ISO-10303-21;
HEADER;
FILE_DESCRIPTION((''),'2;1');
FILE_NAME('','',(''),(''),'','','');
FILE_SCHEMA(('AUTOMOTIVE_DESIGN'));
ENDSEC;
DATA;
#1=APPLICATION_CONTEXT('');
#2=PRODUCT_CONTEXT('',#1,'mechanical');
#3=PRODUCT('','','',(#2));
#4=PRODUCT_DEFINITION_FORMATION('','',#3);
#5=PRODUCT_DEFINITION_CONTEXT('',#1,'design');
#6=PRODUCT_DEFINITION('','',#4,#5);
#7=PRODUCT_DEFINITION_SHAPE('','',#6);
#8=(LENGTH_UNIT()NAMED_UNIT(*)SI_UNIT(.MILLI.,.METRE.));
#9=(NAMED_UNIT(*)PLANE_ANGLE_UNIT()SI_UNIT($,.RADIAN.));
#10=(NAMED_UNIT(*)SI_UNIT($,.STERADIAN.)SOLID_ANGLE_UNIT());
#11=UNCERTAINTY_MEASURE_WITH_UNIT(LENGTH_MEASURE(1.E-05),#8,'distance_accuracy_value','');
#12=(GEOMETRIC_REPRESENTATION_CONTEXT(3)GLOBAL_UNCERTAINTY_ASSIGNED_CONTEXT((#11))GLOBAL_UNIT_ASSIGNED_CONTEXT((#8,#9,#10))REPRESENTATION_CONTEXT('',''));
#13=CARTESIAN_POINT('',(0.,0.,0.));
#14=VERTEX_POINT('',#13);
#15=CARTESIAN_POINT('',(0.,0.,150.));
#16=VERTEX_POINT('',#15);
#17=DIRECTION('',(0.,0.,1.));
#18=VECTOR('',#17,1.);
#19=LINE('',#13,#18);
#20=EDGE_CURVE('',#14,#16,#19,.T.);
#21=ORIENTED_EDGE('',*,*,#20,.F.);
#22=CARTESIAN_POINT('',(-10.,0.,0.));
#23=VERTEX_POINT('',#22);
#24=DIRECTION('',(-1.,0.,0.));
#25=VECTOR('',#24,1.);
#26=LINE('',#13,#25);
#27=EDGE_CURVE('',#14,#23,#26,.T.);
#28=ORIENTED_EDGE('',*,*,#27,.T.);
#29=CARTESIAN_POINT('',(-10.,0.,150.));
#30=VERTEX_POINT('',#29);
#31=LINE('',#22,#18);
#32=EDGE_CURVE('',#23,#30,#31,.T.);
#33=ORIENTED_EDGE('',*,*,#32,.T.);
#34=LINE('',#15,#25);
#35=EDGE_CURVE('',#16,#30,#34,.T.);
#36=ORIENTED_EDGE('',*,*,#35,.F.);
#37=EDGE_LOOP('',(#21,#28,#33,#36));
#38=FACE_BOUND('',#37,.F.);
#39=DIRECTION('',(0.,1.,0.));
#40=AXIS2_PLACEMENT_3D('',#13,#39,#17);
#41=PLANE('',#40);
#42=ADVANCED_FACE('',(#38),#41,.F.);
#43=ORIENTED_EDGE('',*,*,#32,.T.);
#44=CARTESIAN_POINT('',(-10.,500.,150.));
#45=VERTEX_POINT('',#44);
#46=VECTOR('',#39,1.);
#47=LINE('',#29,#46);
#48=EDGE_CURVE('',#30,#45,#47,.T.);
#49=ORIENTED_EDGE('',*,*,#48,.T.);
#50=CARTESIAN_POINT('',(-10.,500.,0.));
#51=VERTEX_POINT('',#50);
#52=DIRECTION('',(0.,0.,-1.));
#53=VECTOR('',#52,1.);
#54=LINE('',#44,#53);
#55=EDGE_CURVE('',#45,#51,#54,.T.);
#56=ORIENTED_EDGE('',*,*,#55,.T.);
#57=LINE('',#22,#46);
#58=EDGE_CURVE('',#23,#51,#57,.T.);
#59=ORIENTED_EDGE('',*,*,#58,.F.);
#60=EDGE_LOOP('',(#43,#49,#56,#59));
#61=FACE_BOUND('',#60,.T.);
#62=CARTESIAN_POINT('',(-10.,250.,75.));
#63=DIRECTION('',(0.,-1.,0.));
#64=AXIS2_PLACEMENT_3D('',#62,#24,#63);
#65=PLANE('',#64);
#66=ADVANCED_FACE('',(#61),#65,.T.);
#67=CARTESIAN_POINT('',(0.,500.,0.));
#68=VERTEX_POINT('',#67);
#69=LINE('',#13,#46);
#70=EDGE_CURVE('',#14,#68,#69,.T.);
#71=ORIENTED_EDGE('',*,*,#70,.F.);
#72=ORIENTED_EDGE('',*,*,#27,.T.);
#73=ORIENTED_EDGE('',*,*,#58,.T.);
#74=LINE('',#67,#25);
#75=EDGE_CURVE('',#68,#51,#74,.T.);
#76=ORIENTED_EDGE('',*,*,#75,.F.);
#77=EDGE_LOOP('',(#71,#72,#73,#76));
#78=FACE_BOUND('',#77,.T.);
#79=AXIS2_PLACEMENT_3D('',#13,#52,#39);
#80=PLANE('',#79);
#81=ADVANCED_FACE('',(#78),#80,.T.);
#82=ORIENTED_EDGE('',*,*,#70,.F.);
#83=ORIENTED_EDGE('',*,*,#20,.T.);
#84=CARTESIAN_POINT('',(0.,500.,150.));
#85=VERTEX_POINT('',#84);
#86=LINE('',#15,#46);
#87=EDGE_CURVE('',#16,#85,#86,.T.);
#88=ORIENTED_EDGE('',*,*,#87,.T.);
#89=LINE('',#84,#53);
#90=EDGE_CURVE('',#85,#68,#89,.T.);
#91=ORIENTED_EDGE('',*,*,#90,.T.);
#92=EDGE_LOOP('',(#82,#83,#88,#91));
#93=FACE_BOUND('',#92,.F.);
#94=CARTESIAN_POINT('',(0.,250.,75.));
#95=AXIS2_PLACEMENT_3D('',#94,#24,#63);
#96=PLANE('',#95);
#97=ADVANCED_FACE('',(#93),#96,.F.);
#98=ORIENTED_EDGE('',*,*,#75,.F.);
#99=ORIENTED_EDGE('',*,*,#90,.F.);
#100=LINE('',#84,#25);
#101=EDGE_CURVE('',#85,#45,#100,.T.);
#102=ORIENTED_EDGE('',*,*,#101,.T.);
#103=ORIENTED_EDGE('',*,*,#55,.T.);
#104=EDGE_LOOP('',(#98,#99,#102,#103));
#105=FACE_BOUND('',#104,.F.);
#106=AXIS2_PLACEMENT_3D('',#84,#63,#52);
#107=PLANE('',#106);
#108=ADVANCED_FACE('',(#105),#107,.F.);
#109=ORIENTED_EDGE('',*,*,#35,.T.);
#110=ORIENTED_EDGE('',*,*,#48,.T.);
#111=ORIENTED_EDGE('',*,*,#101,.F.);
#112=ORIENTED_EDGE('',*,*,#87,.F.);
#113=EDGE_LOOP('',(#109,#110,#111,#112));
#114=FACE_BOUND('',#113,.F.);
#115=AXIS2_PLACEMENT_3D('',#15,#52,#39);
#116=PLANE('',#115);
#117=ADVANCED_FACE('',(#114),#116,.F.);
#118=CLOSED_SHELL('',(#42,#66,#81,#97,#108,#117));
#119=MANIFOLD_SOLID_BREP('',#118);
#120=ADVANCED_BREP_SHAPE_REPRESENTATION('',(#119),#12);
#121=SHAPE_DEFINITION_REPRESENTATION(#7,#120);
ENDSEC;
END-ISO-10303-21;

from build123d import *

# Parameters (mm, degrees)
PAD_DEPTH = 10


with BuildPart() as part:
    # Sketch → Pad (new body)
    with BuildSketch(Plane.YZ):
        Polygon((0, 0), (0, 150), (500, 150), (500, 0), (250, 0), align=None)
    extrude(amount=-PAD_DEPTH)


solid = part.part
